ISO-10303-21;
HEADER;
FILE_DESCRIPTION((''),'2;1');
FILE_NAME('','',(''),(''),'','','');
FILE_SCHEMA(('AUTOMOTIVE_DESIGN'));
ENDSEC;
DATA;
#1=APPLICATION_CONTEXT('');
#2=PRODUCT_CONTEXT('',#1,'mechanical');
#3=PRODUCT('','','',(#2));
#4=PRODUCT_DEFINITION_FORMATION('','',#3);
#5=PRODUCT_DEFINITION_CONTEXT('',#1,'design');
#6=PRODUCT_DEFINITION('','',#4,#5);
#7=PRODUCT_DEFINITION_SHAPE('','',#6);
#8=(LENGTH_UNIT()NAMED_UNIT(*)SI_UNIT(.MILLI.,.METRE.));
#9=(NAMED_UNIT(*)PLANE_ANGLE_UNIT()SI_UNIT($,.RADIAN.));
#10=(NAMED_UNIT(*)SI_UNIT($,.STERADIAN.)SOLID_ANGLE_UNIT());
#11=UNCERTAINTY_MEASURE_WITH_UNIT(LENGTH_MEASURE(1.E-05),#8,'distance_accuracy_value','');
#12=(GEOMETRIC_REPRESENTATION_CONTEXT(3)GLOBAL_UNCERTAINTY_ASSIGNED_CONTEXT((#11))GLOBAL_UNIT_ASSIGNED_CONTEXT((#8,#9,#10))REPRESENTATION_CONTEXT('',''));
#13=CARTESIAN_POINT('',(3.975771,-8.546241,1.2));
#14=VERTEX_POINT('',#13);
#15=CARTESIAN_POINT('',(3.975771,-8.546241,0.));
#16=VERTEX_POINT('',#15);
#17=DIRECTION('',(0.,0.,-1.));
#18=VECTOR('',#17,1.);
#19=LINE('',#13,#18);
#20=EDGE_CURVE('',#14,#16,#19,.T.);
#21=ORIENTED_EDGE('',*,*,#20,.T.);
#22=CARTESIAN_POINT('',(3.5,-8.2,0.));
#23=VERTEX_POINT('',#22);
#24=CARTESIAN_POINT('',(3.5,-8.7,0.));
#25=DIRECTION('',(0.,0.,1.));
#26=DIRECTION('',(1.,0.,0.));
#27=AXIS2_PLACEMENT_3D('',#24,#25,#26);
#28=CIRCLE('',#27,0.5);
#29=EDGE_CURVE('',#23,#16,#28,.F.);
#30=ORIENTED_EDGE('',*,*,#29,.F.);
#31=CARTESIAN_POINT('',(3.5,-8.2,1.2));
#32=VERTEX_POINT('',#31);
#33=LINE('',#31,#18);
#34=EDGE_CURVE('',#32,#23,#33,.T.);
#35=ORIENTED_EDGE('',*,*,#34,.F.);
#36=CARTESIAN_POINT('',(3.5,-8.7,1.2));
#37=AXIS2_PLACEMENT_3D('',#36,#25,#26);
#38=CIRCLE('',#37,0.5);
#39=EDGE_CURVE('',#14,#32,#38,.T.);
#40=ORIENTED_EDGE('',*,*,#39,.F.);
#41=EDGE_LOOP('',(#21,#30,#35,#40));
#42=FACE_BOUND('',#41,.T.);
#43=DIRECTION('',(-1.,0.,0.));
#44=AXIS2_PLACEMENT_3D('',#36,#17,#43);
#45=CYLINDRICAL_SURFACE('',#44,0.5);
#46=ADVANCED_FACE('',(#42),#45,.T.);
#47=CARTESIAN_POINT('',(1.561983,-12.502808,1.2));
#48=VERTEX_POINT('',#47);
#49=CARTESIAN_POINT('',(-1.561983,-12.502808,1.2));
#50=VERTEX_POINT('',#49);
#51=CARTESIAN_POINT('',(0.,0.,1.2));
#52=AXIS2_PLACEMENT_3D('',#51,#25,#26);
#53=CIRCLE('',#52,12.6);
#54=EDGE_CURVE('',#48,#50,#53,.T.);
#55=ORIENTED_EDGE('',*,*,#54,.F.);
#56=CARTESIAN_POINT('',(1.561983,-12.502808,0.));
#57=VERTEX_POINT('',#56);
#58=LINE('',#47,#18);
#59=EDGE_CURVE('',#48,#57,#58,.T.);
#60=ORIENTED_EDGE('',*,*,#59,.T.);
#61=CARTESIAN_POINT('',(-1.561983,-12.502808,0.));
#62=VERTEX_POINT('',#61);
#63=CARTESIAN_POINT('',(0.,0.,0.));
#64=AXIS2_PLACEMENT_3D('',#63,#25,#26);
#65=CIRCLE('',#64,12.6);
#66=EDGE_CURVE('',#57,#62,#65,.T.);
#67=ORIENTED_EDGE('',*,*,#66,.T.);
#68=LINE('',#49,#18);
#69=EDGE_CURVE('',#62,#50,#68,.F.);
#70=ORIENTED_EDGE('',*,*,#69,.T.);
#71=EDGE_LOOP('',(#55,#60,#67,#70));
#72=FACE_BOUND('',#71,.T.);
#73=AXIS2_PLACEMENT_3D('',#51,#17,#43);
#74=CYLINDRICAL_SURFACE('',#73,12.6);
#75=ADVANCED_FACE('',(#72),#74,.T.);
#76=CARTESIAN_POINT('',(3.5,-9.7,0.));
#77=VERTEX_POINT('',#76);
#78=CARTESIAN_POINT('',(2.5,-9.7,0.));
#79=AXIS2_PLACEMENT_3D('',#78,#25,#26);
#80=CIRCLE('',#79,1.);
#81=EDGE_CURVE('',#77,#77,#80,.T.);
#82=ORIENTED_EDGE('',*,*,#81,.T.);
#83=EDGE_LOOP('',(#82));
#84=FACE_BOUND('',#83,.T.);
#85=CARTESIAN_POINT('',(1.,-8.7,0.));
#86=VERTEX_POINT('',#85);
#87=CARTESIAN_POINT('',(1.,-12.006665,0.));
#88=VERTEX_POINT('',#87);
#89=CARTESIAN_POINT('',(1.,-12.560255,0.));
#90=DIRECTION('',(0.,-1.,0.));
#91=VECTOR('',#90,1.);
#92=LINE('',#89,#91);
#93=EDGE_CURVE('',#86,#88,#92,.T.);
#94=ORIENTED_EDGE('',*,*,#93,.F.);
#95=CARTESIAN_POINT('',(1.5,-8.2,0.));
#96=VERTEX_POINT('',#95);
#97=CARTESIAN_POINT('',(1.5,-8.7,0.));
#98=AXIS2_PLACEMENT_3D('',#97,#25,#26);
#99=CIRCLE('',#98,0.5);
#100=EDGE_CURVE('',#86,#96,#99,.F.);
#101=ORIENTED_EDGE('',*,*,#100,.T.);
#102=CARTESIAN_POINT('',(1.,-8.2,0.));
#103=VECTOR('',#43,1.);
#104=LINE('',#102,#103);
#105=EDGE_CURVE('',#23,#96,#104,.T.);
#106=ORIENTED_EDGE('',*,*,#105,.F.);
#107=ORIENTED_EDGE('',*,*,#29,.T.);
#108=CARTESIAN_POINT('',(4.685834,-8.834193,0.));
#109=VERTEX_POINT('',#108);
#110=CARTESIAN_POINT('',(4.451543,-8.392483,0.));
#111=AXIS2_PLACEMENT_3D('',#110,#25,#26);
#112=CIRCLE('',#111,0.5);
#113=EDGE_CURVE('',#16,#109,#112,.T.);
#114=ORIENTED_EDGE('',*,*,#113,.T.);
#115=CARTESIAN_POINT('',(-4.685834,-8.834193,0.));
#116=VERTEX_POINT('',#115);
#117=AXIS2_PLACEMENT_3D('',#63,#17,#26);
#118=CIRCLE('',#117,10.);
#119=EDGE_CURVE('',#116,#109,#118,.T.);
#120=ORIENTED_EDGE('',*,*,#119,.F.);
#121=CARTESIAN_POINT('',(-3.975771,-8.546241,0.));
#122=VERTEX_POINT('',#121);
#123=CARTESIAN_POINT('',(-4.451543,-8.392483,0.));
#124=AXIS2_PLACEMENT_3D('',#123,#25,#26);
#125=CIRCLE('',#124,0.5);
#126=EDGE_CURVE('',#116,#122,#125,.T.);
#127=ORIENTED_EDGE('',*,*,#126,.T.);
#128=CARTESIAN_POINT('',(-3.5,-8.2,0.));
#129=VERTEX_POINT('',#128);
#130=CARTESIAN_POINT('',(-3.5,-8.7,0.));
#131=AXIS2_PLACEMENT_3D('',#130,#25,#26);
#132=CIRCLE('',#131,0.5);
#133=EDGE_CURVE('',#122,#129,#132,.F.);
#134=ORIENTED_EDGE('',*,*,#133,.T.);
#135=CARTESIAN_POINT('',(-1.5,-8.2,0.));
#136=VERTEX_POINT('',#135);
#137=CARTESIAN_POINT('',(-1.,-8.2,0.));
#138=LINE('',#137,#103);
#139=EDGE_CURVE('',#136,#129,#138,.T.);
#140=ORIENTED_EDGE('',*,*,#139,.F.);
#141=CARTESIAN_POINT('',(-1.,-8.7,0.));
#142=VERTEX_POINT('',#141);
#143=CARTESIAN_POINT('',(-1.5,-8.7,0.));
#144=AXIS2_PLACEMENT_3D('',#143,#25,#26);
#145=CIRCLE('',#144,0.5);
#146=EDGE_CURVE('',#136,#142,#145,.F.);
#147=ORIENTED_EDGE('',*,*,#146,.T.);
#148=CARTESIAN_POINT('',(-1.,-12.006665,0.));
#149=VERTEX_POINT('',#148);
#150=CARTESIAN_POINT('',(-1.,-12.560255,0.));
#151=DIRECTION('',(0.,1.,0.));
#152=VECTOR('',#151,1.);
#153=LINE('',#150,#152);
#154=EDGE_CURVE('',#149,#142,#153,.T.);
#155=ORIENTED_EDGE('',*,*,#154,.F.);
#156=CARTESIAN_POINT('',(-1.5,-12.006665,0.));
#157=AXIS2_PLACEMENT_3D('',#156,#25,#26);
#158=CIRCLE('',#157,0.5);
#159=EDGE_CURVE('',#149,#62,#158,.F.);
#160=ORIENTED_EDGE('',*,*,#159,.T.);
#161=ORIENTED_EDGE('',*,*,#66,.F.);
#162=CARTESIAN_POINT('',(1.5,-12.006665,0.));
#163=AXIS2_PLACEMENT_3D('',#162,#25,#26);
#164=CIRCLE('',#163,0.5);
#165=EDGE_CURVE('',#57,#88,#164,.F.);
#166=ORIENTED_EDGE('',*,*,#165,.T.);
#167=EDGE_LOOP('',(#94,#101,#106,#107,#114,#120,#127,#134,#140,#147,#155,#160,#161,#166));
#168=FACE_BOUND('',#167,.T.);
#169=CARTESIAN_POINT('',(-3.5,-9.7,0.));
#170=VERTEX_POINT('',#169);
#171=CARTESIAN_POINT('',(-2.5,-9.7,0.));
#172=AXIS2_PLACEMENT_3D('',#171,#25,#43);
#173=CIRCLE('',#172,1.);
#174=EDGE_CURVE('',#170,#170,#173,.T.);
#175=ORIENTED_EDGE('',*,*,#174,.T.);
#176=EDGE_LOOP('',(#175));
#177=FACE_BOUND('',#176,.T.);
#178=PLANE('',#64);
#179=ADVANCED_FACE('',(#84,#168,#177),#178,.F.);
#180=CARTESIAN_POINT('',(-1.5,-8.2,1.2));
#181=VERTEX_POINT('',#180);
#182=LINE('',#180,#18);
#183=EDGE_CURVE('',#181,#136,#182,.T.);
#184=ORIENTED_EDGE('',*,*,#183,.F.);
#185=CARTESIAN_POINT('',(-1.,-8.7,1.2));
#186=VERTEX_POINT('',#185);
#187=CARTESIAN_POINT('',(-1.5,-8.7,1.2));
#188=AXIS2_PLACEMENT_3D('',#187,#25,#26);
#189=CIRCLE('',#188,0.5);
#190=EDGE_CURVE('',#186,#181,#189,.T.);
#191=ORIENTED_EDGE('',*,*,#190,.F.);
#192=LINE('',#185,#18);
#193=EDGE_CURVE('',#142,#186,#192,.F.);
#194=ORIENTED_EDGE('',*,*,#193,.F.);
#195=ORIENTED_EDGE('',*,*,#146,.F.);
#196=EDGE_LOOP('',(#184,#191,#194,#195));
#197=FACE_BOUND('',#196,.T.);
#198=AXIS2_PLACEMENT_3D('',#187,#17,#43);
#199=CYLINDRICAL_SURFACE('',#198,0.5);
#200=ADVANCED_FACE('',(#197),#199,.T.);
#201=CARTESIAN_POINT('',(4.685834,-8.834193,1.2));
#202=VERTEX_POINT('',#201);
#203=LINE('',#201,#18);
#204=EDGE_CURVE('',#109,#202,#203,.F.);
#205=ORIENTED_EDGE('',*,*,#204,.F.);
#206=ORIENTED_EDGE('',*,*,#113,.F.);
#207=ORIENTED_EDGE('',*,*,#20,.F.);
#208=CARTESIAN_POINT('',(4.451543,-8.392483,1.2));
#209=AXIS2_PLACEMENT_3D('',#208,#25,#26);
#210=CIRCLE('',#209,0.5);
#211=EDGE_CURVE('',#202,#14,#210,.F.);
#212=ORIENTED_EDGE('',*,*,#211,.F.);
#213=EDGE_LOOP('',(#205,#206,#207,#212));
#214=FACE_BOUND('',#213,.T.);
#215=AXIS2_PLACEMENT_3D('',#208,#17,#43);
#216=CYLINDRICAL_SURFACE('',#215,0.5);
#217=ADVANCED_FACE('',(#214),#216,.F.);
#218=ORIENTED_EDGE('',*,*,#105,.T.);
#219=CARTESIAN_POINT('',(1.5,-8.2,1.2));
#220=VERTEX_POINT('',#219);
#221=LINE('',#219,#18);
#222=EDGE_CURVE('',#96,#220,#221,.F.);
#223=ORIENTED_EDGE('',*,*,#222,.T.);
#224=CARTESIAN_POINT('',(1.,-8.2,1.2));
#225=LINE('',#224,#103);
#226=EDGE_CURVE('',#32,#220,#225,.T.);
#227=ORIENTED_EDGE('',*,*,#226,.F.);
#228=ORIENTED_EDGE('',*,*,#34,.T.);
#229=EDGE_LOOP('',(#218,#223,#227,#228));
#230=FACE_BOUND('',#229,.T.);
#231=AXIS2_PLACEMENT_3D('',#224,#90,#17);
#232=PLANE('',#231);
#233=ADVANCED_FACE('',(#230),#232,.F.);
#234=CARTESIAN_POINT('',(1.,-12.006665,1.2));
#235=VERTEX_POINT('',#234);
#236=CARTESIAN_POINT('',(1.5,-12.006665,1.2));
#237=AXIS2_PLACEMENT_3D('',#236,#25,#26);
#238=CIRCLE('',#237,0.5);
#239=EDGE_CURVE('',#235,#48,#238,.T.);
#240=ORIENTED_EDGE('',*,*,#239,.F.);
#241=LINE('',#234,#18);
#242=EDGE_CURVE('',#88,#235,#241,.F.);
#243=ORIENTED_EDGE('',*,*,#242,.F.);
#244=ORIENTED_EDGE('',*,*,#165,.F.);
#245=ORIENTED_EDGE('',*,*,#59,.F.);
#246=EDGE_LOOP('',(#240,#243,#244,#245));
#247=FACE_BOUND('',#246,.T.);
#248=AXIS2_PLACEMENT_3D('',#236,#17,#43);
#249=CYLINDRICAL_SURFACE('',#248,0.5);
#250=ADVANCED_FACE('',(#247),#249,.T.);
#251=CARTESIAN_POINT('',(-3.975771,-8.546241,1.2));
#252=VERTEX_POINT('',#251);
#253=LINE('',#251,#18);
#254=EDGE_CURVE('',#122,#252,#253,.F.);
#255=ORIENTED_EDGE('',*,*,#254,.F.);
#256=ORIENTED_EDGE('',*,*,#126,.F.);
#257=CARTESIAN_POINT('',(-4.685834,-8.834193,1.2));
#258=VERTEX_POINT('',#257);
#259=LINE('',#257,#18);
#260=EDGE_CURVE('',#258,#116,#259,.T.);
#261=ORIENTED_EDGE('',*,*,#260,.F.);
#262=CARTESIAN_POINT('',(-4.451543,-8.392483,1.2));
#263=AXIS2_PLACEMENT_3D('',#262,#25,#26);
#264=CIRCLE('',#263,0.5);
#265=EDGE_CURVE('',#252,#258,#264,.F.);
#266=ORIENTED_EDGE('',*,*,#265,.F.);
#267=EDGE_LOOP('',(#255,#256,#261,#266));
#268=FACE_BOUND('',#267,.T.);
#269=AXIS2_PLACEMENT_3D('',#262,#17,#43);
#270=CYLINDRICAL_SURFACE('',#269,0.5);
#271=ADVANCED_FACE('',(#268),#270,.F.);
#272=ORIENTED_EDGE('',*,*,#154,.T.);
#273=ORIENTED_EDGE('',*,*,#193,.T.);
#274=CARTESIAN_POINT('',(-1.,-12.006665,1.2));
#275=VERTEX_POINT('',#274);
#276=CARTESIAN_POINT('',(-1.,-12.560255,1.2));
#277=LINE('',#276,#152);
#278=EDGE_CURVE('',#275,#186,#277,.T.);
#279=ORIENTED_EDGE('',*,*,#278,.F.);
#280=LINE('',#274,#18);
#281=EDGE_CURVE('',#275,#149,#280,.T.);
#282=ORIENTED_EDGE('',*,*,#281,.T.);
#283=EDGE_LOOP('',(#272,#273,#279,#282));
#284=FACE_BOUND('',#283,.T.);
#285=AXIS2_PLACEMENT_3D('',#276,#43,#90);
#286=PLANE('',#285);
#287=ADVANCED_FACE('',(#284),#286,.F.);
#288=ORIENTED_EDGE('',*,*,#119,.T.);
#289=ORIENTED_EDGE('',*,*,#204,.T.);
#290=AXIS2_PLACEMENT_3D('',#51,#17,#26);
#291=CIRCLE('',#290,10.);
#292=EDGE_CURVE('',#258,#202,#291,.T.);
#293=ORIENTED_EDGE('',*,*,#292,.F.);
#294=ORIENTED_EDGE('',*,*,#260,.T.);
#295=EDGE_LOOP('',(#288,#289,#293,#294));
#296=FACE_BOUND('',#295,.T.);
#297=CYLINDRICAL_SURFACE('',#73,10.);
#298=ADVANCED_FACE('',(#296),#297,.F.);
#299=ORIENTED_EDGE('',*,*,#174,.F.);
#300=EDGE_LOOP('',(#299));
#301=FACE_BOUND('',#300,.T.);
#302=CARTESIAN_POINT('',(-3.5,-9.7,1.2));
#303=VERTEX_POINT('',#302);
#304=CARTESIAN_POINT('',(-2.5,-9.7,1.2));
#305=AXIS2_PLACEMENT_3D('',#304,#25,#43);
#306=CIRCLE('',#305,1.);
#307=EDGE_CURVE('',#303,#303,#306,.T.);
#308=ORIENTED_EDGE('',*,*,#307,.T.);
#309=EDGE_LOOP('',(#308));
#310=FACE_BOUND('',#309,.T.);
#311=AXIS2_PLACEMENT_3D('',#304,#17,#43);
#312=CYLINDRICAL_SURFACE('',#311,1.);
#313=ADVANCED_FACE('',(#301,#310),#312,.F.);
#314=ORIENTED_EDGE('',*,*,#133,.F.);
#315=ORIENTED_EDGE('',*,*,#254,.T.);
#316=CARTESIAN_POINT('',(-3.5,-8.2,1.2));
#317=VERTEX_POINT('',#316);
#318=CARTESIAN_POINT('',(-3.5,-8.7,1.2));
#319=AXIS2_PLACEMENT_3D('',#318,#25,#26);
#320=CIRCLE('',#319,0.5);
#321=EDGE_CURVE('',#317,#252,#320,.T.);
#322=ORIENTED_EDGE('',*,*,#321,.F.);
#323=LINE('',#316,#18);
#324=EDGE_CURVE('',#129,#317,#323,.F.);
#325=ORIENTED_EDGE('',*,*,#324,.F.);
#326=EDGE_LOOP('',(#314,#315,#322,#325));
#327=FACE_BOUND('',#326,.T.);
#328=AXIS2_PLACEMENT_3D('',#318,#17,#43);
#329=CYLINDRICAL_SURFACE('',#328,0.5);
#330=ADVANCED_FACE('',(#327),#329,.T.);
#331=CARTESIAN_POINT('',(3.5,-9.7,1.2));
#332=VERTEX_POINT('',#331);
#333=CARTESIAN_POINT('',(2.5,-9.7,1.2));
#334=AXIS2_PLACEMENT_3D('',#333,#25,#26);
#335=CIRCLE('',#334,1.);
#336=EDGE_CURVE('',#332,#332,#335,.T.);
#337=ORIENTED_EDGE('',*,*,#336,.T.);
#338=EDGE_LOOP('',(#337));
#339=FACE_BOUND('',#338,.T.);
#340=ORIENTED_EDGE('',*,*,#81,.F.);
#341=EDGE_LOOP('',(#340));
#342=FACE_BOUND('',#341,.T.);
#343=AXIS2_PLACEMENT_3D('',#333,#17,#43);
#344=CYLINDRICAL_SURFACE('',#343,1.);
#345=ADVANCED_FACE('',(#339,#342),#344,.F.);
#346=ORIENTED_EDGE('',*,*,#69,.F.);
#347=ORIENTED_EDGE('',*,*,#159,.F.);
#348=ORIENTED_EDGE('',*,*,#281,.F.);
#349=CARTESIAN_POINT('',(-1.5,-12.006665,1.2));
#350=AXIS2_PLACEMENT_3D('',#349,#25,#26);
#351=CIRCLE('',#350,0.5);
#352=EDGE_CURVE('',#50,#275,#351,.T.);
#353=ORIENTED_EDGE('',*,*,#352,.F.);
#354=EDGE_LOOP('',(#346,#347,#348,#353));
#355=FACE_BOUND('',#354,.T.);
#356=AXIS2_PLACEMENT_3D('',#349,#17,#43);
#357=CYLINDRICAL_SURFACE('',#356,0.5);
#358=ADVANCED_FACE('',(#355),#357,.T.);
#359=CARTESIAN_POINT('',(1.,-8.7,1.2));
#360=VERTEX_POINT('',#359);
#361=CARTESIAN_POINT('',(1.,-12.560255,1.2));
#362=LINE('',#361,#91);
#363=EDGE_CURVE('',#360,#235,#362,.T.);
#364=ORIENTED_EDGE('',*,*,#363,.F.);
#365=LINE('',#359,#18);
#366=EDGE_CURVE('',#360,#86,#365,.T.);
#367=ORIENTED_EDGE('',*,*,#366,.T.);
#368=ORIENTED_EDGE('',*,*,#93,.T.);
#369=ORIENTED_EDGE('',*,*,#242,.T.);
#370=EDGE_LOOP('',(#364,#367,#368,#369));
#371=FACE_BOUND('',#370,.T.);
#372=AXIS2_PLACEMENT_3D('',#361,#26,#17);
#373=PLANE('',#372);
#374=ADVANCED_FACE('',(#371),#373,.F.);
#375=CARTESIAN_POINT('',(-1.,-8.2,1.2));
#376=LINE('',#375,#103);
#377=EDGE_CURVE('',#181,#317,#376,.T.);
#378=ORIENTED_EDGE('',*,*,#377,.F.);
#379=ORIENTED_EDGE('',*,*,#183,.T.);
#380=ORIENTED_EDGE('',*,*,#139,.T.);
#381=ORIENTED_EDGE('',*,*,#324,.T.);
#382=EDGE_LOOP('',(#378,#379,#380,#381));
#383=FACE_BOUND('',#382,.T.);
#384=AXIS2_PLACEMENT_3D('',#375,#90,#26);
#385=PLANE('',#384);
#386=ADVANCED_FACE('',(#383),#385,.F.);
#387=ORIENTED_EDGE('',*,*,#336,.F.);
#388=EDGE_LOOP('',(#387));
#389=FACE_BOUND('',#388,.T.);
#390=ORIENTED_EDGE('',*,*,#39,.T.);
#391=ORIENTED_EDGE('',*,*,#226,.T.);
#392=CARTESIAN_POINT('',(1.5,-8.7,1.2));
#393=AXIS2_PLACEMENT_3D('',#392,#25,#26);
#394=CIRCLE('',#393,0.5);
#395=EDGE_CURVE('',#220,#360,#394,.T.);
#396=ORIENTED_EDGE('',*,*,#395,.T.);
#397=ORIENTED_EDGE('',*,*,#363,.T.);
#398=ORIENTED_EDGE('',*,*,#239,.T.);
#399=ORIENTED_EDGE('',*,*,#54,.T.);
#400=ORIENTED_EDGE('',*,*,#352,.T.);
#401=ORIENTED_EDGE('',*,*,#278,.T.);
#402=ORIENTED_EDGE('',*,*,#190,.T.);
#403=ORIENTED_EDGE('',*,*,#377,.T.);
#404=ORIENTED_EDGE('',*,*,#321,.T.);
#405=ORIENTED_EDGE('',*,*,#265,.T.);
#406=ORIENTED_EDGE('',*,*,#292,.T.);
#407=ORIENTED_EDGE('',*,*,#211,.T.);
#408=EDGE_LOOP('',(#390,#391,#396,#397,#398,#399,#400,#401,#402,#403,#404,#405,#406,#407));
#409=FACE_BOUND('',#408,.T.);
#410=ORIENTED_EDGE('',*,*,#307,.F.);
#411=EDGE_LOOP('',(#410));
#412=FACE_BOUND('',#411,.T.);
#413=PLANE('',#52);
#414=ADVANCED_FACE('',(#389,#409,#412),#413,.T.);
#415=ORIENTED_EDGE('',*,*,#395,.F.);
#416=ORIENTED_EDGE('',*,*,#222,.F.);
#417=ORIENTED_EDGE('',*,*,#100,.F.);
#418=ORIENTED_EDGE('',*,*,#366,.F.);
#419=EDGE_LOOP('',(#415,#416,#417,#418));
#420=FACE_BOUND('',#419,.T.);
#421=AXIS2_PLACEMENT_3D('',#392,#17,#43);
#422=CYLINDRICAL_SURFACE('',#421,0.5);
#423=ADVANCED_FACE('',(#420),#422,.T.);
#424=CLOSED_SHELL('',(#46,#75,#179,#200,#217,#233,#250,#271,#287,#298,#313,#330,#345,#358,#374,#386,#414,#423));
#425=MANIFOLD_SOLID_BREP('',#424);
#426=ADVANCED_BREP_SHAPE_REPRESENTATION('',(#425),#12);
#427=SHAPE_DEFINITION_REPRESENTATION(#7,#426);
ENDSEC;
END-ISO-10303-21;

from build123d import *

# Parameters (mm, degrees)
SZKIC1_R                    = 1
DODANIE_WYCI_GNI_CIE1_DEPTH = 1.2
ZAOKR_GLENIE2_R             = 0.5
ZAOKR_GLENIE3_R             = 0.5
ZAOKR_GLENIE4_R             = 0.5
ZAOKR_GLENIE5_R             = 0.5
ZAOKR_GLENIE6_R             = 0.5
ZAOKR_GLENIE7_R             = 0.5
ZAOKR_GLENIE8_R             = 0.5
ZAOKR_GLENIE9_R             = 0.5


with BuildPart() as part:
    # Szkic1 → Dodanie-wyciągnięcie1 (new body)
    with BuildSketch(Plane.XY):
        with BuildLine():
            Line((-1, -12.560254774), (-1, -8.2))
            Line((-1, -8.2), (-4, -8.2))
            Line((-4, -8.2), (-4, -9.16515139))
            ThreePointArc((-4, -9.16515139), (0, 10), (4, -9.16515139))
            Line((4, -9.16515139), (4, -8.2))
            Line((4, -8.2), (1, -8.2))
            Line((1, -8.2), (1, -12.560254774))
            ThreePointArc((1, -12.560254774), (0, 12.6), (-1, -12.560254774))
        make_face()
        with Locations((2.5, -9.7)):
            Circle(SZKIC1_R, mode=Mode.SUBTRACT)
        with Locations((-2.5, -9.7)):
            Circle(SZKIC1_R, mode=Mode.SUBTRACT)
    extrude(amount=DODANIE_WYCI_GNI_CIE1_DEPTH)

    # Zaokrąglenie2
    zaokr_glenie2_edges = [part.edges().sort_by_distance(p)[0] for p in [
        (1, -12.560254774, 0.6),
    ]]
    fillet(zaokr_glenie2_edges, radius=ZAOKR_GLENIE2_R)

    # Zaokrąglenie3
    zaokr_glenie3_edges = [part.edges().sort_by_distance(p)[0] for p in [
        (-1, -12.560254774, 0.6),
    ]]
    fillet(zaokr_glenie3_edges, radius=ZAOKR_GLENIE3_R)

    # Zaokrąglenie4
    zaokr_glenie4_edges = [part.edges().sort_by_distance(p)[0] for p in [
        (1, -8.2, 0.6),
    ]]
    fillet(zaokr_glenie4_edges, radius=ZAOKR_GLENIE4_R)

    # Zaokrąglenie5
    zaokr_glenie5_edges = [part.edges().sort_by_distance(p)[0] for p in [
        (4, -8.2, 0.6),
    ]]
    fillet(zaokr_glenie5_edges, radius=ZAOKR_GLENIE5_R)

    # Zaokrąglenie6
    zaokr_glenie6_edges = [part.edges().sort_by_distance(p)[0] for p in [
        (4, -9.16515139, 0.6),
    ]]
    fillet(zaokr_glenie6_edges, radius=ZAOKR_GLENIE6_R)

    # Zaokrąglenie7
    zaokr_glenie7_edges = [part.edges().sort_by_distance(p)[0] for p in [
        (-4, -8.2, 0.6),
    ]]
    fillet(zaokr_glenie7_edges, radius=ZAOKR_GLENIE7_R)

    # Zaokrąglenie8
    zaokr_glenie8_edges = [part.edges().sort_by_distance(p)[0] for p in [
        (-1, -8.2, 0.6),
    ]]
    fillet(zaokr_glenie8_edges, radius=ZAOKR_GLENIE8_R)

    # Zaokrąglenie9
    zaokr_glenie9_edges = [part.edges().sort_by_distance(p)[0] for p in [
        (-4, -9.16515139, 0.6),
    ]]
    fillet(zaokr_glenie9_edges, radius=ZAOKR_GLENIE9_R)


solid = part.part
